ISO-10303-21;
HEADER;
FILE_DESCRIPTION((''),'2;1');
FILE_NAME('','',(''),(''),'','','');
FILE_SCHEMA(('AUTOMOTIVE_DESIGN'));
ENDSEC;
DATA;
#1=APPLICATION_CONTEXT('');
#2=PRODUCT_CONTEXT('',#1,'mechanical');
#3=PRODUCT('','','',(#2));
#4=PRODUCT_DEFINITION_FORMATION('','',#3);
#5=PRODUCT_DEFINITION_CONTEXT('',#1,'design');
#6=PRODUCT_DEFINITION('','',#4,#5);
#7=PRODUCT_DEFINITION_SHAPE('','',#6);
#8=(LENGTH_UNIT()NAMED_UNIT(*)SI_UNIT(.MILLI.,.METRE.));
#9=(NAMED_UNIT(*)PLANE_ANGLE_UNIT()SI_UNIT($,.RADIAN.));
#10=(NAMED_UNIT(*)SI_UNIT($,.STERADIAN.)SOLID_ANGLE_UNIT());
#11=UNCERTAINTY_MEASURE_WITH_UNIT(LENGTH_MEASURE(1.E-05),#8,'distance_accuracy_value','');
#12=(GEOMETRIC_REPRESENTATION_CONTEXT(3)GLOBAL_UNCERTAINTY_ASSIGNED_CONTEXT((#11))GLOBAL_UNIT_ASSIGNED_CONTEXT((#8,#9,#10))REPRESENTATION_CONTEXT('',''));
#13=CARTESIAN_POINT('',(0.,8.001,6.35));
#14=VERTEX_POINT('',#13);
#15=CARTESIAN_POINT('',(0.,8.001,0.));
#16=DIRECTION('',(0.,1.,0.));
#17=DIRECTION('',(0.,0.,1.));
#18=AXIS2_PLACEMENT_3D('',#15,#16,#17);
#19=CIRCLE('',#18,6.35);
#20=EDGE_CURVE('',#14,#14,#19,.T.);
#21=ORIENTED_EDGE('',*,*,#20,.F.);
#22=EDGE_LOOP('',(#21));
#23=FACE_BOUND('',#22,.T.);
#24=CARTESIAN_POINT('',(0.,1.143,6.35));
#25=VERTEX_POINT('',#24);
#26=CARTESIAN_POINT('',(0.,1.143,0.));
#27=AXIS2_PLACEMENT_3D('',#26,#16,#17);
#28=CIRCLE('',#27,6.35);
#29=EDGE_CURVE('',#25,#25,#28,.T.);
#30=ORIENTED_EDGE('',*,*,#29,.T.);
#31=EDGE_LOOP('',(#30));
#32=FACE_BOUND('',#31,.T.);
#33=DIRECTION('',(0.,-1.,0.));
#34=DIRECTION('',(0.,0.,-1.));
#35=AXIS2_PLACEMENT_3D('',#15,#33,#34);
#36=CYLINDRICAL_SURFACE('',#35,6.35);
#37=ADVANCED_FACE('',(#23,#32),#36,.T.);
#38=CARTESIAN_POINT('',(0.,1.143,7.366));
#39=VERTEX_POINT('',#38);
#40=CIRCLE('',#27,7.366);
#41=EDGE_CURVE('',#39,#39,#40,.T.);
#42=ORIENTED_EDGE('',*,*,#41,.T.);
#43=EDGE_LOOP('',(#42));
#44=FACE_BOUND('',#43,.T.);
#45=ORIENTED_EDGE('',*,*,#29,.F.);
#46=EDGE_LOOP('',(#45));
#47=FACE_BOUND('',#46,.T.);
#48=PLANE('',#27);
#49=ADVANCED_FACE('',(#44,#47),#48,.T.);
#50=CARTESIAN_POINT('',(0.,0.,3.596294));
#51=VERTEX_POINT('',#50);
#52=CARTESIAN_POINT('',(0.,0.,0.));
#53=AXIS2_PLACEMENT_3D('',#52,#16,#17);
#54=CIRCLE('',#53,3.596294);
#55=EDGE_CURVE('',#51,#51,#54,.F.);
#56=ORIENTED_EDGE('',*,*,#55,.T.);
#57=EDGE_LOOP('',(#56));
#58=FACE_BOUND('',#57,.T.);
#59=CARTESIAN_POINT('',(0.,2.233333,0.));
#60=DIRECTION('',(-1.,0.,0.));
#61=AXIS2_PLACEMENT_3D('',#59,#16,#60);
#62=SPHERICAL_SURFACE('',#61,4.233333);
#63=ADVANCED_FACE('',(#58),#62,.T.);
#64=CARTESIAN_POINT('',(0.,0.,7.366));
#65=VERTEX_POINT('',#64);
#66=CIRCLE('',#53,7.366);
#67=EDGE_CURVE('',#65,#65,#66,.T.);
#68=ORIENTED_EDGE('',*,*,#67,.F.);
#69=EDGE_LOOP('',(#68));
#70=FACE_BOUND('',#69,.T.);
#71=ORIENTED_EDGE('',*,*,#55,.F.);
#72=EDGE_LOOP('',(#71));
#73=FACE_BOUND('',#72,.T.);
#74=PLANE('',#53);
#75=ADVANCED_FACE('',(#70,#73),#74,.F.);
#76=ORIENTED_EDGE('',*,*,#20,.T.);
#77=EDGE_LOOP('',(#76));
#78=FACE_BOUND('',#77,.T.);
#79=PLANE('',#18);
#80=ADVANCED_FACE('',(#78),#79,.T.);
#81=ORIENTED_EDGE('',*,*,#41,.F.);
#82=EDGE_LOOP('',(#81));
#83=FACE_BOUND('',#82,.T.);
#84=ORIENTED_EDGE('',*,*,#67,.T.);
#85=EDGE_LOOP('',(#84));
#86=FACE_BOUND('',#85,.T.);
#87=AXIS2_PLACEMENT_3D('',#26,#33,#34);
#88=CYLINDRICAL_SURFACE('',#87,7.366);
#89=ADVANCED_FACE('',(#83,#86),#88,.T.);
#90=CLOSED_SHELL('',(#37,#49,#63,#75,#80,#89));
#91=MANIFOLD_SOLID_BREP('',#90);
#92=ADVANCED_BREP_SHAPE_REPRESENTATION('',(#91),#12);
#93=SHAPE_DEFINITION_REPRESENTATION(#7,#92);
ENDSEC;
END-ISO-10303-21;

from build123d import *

# Parameters (mm, degrees)
SKETCH1_R           = 6.35
BOSS_EXTRUDE1_DEPTH = 8.001
SKETCH1_3_R         = 7.366
SKETCH1_3_R_2       = 6.35
BOSS_EXTRUDE2_DEPTH = 1.143


with BuildPart() as part:
    # Sketch1 → Boss-Extrude1 (new body)
    with BuildSketch(Plane(origin=(0, 0, 0), x_dir=(1, 0, 0), z_dir=(0, 1, 0))):
        Circle(SKETCH1_R)
    extrude(amount=BOSS_EXTRUDE1_DEPTH)

    # Sketch1<3> → Boss-Extrude2 (add)
    with BuildSketch(Plane(origin=(0, 0, 0), x_dir=(1, 0, 0), z_dir=(0, 1, 0))):
        Circle(SKETCH1_3_R)
        Circle(SKETCH1_3_R_2, mode=Mode.SUBTRACT)
    extrude(amount=BOSS_EXTRUDE2_DEPTH)

    # Sketch3 → Revolve1 (revolve)
    with BuildSketch(Plane.XY):
        with BuildLine():
            Line((0, -2), (0, 0))
            Line((0, 0), (-3.596294389, 0))
            ThreePointArc((-3.596294389, 0), (-2.057506582, -1.466366354), (0, -2))
        make_face()
    revolve(axis=Axis((0, 0, 0), (0, -1, 0)))


solid = part.part
